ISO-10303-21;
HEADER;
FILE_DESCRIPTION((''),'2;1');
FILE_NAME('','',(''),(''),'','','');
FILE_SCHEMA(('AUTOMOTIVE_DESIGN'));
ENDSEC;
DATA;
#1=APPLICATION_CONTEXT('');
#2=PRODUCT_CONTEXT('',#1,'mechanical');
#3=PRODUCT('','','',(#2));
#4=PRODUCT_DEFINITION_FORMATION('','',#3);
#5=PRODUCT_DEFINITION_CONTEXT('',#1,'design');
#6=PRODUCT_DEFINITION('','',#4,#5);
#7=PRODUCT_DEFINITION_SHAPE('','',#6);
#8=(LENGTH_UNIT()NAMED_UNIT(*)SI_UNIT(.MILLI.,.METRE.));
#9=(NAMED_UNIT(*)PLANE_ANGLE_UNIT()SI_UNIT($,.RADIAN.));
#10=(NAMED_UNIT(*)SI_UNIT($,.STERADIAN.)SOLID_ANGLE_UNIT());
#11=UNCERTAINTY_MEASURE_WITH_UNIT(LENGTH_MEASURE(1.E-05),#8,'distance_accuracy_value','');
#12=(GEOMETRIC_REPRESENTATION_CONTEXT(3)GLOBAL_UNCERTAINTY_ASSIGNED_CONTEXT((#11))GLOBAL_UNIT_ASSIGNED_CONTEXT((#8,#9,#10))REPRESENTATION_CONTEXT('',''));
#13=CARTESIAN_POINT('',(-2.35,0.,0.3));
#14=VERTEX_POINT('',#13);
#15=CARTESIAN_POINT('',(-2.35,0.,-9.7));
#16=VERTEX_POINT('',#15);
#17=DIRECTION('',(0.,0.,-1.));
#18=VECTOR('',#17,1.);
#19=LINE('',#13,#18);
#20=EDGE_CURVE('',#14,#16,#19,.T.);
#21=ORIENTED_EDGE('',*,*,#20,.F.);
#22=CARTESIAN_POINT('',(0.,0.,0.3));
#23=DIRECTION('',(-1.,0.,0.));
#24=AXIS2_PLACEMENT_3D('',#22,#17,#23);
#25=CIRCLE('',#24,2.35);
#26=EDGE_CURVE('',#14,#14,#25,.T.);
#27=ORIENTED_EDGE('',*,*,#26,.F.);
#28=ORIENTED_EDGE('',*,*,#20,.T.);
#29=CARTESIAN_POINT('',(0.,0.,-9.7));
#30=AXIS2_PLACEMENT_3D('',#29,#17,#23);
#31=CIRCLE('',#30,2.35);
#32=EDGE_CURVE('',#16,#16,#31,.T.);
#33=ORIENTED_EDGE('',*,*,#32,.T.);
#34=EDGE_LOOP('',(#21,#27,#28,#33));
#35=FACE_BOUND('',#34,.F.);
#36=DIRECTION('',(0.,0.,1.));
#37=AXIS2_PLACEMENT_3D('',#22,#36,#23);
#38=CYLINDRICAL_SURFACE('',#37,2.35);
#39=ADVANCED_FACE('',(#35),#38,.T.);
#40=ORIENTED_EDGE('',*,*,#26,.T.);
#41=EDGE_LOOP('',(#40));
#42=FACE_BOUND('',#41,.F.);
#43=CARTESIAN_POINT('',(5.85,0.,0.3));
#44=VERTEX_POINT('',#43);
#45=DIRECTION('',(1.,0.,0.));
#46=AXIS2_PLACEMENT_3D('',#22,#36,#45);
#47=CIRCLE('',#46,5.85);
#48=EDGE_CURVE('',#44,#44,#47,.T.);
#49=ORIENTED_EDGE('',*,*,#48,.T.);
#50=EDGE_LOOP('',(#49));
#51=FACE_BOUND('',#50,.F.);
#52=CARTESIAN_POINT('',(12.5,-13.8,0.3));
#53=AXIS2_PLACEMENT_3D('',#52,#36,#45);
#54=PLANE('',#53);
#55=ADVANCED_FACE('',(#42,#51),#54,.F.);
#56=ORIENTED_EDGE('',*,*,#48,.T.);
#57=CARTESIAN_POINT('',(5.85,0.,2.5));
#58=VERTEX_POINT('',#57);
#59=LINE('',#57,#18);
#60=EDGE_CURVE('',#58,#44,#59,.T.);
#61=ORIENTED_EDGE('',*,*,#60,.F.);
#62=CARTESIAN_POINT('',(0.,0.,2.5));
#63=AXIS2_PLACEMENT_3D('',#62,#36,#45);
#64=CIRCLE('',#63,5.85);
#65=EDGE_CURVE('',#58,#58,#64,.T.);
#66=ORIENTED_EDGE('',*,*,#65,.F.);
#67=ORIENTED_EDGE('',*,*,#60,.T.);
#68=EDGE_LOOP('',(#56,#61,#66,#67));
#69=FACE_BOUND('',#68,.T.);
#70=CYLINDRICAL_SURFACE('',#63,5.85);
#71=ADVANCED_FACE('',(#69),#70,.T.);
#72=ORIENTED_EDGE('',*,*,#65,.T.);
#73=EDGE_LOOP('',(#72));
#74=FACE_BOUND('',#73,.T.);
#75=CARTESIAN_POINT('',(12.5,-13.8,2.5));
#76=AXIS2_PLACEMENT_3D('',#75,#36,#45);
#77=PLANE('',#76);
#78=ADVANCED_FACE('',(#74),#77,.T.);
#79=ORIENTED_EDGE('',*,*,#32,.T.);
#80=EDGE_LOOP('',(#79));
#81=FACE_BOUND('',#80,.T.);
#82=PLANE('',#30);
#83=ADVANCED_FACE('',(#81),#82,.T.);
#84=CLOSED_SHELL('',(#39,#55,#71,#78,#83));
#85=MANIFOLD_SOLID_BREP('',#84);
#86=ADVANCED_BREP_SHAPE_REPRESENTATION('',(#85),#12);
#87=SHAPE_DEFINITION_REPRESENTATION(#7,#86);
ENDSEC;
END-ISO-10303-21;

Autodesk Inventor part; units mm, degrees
ref_plane "YZ Plane" through (0, 0, 0) normal (1, 0, 0) x (0, 1, 0)
ref_plane "XZ Plane" through (0, 0, 0) normal (0, 1, 0) x (-1, 0, 0)
ref_plane "XY Plane" through (0, 0, 0) normal (0, 0, 1) x (1, 0, 0)
ref_plane "Work Plane1" through (12.5, -13.8, 2.5) normal (0, 0, 1) x (1, 0, 0)
sketch "Sketch2" plane through (12.5, -13.8, 2.5) normal (0, 0, 1) x (1, 0, 0)
  circle A0 centre (-12.5, 13.8) radius 6.15 projected
  circle A1 centre (-12.5, 13.8) radius 5.85
  dimension "d0" = 0.3
extrude "Extrusion1" add sketch "Sketch2" against normal blind 2.2 contours A1
sketch "Sketch3" plane through (0, 0, 0.3) normal (0, 0, -1) x (-1, 0, 0)
  circle A0 centre (0, 0) radius 5.85 projected
  circle A1 centre (0, 0) radius 2.65 projected
  circle A2 centre (0, 0) radius 2.35
  dimension "d3" = 0.3
extrude "Extrusion2" add sketch "Sketch3" along normal blind 10 contours A2
properties part number "ArmPivot"
